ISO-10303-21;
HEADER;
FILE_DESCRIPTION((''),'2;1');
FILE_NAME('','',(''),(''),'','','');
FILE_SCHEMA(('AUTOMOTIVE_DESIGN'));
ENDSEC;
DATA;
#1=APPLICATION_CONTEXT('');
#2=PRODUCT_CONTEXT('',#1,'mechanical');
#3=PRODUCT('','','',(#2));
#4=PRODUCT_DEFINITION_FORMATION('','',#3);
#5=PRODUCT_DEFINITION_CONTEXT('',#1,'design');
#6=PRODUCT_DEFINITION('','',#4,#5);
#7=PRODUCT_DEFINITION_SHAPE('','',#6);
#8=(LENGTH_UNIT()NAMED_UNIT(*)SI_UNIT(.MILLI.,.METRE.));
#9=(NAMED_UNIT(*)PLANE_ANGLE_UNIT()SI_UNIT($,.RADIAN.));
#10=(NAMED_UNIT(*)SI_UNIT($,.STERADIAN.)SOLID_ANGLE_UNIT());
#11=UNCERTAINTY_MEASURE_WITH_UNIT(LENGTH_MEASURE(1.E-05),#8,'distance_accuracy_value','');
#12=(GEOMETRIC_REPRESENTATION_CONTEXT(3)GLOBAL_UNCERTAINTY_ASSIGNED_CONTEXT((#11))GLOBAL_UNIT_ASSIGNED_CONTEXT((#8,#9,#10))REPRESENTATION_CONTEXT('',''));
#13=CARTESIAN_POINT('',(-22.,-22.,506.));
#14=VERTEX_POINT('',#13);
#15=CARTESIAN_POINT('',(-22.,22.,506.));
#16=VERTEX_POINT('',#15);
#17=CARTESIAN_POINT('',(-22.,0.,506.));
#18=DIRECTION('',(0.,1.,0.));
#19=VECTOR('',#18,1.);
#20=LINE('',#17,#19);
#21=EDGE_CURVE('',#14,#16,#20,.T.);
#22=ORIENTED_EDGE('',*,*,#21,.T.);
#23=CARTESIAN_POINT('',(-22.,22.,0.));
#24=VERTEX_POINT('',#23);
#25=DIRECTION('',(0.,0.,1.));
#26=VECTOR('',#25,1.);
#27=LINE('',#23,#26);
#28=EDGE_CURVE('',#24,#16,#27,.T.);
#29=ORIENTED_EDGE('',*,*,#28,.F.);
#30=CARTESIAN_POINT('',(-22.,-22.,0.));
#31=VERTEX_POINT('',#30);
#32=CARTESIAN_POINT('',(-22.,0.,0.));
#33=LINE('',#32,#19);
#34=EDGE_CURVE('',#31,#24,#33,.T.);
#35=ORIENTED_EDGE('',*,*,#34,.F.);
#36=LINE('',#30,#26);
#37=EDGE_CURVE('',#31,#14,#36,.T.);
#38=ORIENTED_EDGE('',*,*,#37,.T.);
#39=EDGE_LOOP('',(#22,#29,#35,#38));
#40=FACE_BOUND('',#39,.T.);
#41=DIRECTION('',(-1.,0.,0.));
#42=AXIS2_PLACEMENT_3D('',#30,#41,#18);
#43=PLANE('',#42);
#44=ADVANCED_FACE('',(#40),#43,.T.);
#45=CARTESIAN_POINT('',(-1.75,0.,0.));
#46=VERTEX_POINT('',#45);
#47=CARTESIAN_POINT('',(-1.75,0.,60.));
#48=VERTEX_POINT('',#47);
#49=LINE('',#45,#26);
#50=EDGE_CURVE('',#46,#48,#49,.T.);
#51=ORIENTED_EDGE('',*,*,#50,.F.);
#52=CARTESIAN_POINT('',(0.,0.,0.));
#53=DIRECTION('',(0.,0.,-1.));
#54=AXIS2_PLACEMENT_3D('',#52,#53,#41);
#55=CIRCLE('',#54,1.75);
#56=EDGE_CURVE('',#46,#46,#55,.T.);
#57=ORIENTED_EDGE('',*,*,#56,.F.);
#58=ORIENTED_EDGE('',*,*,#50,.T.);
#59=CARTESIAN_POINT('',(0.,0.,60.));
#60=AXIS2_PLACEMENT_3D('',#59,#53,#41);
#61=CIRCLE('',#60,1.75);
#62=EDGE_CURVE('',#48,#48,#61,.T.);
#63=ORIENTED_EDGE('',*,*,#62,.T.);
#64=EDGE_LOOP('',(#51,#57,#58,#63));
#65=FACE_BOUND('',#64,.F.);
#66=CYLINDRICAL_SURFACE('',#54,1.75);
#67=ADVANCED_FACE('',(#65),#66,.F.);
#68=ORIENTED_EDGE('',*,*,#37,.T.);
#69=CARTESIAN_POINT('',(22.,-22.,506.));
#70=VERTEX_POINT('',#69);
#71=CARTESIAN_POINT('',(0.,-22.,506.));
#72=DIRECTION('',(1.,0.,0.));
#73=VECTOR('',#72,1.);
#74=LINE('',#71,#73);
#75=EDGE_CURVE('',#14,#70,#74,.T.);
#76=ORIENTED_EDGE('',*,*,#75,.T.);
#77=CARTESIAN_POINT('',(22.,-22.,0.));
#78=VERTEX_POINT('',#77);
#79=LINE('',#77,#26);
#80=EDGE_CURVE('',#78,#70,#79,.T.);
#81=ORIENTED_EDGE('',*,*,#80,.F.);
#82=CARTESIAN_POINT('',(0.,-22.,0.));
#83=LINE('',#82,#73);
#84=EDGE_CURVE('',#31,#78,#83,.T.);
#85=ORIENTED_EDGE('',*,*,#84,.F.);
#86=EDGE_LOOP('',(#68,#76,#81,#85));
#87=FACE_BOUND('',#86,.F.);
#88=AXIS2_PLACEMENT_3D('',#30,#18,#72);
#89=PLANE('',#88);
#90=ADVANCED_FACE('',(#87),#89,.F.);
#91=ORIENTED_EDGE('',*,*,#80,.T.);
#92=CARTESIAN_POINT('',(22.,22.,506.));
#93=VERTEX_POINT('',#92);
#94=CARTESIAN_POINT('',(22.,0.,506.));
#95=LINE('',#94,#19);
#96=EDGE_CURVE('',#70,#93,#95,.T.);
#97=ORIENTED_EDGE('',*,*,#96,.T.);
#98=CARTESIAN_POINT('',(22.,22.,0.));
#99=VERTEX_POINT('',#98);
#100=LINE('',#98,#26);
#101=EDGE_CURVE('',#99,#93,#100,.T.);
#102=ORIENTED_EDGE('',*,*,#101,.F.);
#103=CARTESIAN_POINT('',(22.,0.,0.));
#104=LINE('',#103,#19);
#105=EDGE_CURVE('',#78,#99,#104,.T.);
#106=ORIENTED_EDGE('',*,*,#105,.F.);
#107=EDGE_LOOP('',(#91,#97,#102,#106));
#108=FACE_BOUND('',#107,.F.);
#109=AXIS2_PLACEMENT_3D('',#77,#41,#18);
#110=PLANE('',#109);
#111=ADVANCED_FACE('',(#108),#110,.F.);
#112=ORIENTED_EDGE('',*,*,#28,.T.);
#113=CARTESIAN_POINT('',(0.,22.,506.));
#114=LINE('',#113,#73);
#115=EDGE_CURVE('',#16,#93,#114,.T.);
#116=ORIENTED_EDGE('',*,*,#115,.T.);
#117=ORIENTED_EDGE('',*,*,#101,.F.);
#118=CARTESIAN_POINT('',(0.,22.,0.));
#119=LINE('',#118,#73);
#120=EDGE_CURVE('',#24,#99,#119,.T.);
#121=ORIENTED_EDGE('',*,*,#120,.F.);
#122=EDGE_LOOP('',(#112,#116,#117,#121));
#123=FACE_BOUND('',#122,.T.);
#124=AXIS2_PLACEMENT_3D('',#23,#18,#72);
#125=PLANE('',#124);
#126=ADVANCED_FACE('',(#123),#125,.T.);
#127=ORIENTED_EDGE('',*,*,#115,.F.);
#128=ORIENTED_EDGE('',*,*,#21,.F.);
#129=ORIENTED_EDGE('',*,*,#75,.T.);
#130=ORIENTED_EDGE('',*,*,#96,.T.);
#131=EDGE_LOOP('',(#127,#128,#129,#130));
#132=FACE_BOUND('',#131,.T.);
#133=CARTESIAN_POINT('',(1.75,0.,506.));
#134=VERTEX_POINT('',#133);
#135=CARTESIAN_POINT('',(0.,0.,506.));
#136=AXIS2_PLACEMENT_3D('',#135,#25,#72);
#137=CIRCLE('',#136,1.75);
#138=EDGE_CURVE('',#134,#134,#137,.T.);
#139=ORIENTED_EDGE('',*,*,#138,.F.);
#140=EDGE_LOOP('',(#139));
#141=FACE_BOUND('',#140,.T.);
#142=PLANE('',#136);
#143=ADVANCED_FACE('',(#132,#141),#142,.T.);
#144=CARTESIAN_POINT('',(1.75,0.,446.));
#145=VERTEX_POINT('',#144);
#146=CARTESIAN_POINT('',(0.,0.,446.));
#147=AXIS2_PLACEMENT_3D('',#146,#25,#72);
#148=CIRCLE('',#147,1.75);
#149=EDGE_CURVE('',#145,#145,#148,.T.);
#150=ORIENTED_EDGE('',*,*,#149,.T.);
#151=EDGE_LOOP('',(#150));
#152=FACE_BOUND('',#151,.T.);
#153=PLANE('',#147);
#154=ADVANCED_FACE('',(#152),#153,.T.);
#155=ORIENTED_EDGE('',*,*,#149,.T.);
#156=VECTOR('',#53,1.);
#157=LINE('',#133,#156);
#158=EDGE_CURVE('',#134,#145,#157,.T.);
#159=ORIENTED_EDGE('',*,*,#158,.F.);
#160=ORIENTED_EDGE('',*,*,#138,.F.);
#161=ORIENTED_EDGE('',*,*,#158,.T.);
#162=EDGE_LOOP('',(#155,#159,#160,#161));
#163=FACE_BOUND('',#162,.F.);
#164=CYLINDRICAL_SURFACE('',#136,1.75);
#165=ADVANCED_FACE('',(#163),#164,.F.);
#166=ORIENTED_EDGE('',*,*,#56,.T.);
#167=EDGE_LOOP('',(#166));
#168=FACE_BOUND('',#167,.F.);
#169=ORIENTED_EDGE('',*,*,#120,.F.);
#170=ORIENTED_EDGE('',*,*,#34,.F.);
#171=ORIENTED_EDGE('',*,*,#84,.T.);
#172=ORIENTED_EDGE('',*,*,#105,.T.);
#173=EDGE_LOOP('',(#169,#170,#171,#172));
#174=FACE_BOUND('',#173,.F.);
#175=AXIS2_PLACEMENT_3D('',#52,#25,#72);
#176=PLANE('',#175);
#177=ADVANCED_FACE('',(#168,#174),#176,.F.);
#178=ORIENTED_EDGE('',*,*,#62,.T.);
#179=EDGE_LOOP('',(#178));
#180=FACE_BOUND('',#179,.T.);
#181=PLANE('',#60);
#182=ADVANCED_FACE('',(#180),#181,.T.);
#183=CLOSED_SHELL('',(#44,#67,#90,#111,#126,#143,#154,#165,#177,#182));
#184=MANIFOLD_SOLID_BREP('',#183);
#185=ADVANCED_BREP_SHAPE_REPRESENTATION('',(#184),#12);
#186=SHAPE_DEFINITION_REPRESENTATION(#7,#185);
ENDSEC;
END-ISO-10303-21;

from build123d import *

# Parameters (mm, degrees)
ESQUISSE1_W             = 44
ESQUISSE1_H             = 44
BOSS_EXTRU_1_DEPTH      = 506
ESQUISSE2_R             = 1.75
ENL_V_MAT_EXTRU_1_DEPTH = 60
ESQUISSE3_R             = 1.75
ENL_V_MAT_EXTRU_2_DEPTH = 60


with BuildPart() as part:
    # Esquisse1 → Boss.-Extru.1 (new body)
    with BuildSketch(Plane.XY):
        Rectangle(ESQUISSE1_W, ESQUISSE1_H)
    extrude(amount=BOSS_EXTRU_1_DEPTH)

    # Esquisse2 → Enlèv. mat.-Extru.1 (cut)
    with BuildSketch(Plane(origin=(0, 0, 0), x_dir=(-1, 0, 0), z_dir=(0, 0, -1))):
        Circle(ESQUISSE2_R)
    extrude(amount=-ENL_V_MAT_EXTRU_1_DEPTH, mode=Mode.SUBTRACT)

    # Esquisse3 → Enlèv. mat.-Extru.2 (cut)
    with BuildSketch(Plane.XY.offset(506)):
        Circle(ESQUISSE3_R)
    extrude(amount=-ENL_V_MAT_EXTRU_2_DEPTH, mode=Mode.SUBTRACT)


solid = part.part
